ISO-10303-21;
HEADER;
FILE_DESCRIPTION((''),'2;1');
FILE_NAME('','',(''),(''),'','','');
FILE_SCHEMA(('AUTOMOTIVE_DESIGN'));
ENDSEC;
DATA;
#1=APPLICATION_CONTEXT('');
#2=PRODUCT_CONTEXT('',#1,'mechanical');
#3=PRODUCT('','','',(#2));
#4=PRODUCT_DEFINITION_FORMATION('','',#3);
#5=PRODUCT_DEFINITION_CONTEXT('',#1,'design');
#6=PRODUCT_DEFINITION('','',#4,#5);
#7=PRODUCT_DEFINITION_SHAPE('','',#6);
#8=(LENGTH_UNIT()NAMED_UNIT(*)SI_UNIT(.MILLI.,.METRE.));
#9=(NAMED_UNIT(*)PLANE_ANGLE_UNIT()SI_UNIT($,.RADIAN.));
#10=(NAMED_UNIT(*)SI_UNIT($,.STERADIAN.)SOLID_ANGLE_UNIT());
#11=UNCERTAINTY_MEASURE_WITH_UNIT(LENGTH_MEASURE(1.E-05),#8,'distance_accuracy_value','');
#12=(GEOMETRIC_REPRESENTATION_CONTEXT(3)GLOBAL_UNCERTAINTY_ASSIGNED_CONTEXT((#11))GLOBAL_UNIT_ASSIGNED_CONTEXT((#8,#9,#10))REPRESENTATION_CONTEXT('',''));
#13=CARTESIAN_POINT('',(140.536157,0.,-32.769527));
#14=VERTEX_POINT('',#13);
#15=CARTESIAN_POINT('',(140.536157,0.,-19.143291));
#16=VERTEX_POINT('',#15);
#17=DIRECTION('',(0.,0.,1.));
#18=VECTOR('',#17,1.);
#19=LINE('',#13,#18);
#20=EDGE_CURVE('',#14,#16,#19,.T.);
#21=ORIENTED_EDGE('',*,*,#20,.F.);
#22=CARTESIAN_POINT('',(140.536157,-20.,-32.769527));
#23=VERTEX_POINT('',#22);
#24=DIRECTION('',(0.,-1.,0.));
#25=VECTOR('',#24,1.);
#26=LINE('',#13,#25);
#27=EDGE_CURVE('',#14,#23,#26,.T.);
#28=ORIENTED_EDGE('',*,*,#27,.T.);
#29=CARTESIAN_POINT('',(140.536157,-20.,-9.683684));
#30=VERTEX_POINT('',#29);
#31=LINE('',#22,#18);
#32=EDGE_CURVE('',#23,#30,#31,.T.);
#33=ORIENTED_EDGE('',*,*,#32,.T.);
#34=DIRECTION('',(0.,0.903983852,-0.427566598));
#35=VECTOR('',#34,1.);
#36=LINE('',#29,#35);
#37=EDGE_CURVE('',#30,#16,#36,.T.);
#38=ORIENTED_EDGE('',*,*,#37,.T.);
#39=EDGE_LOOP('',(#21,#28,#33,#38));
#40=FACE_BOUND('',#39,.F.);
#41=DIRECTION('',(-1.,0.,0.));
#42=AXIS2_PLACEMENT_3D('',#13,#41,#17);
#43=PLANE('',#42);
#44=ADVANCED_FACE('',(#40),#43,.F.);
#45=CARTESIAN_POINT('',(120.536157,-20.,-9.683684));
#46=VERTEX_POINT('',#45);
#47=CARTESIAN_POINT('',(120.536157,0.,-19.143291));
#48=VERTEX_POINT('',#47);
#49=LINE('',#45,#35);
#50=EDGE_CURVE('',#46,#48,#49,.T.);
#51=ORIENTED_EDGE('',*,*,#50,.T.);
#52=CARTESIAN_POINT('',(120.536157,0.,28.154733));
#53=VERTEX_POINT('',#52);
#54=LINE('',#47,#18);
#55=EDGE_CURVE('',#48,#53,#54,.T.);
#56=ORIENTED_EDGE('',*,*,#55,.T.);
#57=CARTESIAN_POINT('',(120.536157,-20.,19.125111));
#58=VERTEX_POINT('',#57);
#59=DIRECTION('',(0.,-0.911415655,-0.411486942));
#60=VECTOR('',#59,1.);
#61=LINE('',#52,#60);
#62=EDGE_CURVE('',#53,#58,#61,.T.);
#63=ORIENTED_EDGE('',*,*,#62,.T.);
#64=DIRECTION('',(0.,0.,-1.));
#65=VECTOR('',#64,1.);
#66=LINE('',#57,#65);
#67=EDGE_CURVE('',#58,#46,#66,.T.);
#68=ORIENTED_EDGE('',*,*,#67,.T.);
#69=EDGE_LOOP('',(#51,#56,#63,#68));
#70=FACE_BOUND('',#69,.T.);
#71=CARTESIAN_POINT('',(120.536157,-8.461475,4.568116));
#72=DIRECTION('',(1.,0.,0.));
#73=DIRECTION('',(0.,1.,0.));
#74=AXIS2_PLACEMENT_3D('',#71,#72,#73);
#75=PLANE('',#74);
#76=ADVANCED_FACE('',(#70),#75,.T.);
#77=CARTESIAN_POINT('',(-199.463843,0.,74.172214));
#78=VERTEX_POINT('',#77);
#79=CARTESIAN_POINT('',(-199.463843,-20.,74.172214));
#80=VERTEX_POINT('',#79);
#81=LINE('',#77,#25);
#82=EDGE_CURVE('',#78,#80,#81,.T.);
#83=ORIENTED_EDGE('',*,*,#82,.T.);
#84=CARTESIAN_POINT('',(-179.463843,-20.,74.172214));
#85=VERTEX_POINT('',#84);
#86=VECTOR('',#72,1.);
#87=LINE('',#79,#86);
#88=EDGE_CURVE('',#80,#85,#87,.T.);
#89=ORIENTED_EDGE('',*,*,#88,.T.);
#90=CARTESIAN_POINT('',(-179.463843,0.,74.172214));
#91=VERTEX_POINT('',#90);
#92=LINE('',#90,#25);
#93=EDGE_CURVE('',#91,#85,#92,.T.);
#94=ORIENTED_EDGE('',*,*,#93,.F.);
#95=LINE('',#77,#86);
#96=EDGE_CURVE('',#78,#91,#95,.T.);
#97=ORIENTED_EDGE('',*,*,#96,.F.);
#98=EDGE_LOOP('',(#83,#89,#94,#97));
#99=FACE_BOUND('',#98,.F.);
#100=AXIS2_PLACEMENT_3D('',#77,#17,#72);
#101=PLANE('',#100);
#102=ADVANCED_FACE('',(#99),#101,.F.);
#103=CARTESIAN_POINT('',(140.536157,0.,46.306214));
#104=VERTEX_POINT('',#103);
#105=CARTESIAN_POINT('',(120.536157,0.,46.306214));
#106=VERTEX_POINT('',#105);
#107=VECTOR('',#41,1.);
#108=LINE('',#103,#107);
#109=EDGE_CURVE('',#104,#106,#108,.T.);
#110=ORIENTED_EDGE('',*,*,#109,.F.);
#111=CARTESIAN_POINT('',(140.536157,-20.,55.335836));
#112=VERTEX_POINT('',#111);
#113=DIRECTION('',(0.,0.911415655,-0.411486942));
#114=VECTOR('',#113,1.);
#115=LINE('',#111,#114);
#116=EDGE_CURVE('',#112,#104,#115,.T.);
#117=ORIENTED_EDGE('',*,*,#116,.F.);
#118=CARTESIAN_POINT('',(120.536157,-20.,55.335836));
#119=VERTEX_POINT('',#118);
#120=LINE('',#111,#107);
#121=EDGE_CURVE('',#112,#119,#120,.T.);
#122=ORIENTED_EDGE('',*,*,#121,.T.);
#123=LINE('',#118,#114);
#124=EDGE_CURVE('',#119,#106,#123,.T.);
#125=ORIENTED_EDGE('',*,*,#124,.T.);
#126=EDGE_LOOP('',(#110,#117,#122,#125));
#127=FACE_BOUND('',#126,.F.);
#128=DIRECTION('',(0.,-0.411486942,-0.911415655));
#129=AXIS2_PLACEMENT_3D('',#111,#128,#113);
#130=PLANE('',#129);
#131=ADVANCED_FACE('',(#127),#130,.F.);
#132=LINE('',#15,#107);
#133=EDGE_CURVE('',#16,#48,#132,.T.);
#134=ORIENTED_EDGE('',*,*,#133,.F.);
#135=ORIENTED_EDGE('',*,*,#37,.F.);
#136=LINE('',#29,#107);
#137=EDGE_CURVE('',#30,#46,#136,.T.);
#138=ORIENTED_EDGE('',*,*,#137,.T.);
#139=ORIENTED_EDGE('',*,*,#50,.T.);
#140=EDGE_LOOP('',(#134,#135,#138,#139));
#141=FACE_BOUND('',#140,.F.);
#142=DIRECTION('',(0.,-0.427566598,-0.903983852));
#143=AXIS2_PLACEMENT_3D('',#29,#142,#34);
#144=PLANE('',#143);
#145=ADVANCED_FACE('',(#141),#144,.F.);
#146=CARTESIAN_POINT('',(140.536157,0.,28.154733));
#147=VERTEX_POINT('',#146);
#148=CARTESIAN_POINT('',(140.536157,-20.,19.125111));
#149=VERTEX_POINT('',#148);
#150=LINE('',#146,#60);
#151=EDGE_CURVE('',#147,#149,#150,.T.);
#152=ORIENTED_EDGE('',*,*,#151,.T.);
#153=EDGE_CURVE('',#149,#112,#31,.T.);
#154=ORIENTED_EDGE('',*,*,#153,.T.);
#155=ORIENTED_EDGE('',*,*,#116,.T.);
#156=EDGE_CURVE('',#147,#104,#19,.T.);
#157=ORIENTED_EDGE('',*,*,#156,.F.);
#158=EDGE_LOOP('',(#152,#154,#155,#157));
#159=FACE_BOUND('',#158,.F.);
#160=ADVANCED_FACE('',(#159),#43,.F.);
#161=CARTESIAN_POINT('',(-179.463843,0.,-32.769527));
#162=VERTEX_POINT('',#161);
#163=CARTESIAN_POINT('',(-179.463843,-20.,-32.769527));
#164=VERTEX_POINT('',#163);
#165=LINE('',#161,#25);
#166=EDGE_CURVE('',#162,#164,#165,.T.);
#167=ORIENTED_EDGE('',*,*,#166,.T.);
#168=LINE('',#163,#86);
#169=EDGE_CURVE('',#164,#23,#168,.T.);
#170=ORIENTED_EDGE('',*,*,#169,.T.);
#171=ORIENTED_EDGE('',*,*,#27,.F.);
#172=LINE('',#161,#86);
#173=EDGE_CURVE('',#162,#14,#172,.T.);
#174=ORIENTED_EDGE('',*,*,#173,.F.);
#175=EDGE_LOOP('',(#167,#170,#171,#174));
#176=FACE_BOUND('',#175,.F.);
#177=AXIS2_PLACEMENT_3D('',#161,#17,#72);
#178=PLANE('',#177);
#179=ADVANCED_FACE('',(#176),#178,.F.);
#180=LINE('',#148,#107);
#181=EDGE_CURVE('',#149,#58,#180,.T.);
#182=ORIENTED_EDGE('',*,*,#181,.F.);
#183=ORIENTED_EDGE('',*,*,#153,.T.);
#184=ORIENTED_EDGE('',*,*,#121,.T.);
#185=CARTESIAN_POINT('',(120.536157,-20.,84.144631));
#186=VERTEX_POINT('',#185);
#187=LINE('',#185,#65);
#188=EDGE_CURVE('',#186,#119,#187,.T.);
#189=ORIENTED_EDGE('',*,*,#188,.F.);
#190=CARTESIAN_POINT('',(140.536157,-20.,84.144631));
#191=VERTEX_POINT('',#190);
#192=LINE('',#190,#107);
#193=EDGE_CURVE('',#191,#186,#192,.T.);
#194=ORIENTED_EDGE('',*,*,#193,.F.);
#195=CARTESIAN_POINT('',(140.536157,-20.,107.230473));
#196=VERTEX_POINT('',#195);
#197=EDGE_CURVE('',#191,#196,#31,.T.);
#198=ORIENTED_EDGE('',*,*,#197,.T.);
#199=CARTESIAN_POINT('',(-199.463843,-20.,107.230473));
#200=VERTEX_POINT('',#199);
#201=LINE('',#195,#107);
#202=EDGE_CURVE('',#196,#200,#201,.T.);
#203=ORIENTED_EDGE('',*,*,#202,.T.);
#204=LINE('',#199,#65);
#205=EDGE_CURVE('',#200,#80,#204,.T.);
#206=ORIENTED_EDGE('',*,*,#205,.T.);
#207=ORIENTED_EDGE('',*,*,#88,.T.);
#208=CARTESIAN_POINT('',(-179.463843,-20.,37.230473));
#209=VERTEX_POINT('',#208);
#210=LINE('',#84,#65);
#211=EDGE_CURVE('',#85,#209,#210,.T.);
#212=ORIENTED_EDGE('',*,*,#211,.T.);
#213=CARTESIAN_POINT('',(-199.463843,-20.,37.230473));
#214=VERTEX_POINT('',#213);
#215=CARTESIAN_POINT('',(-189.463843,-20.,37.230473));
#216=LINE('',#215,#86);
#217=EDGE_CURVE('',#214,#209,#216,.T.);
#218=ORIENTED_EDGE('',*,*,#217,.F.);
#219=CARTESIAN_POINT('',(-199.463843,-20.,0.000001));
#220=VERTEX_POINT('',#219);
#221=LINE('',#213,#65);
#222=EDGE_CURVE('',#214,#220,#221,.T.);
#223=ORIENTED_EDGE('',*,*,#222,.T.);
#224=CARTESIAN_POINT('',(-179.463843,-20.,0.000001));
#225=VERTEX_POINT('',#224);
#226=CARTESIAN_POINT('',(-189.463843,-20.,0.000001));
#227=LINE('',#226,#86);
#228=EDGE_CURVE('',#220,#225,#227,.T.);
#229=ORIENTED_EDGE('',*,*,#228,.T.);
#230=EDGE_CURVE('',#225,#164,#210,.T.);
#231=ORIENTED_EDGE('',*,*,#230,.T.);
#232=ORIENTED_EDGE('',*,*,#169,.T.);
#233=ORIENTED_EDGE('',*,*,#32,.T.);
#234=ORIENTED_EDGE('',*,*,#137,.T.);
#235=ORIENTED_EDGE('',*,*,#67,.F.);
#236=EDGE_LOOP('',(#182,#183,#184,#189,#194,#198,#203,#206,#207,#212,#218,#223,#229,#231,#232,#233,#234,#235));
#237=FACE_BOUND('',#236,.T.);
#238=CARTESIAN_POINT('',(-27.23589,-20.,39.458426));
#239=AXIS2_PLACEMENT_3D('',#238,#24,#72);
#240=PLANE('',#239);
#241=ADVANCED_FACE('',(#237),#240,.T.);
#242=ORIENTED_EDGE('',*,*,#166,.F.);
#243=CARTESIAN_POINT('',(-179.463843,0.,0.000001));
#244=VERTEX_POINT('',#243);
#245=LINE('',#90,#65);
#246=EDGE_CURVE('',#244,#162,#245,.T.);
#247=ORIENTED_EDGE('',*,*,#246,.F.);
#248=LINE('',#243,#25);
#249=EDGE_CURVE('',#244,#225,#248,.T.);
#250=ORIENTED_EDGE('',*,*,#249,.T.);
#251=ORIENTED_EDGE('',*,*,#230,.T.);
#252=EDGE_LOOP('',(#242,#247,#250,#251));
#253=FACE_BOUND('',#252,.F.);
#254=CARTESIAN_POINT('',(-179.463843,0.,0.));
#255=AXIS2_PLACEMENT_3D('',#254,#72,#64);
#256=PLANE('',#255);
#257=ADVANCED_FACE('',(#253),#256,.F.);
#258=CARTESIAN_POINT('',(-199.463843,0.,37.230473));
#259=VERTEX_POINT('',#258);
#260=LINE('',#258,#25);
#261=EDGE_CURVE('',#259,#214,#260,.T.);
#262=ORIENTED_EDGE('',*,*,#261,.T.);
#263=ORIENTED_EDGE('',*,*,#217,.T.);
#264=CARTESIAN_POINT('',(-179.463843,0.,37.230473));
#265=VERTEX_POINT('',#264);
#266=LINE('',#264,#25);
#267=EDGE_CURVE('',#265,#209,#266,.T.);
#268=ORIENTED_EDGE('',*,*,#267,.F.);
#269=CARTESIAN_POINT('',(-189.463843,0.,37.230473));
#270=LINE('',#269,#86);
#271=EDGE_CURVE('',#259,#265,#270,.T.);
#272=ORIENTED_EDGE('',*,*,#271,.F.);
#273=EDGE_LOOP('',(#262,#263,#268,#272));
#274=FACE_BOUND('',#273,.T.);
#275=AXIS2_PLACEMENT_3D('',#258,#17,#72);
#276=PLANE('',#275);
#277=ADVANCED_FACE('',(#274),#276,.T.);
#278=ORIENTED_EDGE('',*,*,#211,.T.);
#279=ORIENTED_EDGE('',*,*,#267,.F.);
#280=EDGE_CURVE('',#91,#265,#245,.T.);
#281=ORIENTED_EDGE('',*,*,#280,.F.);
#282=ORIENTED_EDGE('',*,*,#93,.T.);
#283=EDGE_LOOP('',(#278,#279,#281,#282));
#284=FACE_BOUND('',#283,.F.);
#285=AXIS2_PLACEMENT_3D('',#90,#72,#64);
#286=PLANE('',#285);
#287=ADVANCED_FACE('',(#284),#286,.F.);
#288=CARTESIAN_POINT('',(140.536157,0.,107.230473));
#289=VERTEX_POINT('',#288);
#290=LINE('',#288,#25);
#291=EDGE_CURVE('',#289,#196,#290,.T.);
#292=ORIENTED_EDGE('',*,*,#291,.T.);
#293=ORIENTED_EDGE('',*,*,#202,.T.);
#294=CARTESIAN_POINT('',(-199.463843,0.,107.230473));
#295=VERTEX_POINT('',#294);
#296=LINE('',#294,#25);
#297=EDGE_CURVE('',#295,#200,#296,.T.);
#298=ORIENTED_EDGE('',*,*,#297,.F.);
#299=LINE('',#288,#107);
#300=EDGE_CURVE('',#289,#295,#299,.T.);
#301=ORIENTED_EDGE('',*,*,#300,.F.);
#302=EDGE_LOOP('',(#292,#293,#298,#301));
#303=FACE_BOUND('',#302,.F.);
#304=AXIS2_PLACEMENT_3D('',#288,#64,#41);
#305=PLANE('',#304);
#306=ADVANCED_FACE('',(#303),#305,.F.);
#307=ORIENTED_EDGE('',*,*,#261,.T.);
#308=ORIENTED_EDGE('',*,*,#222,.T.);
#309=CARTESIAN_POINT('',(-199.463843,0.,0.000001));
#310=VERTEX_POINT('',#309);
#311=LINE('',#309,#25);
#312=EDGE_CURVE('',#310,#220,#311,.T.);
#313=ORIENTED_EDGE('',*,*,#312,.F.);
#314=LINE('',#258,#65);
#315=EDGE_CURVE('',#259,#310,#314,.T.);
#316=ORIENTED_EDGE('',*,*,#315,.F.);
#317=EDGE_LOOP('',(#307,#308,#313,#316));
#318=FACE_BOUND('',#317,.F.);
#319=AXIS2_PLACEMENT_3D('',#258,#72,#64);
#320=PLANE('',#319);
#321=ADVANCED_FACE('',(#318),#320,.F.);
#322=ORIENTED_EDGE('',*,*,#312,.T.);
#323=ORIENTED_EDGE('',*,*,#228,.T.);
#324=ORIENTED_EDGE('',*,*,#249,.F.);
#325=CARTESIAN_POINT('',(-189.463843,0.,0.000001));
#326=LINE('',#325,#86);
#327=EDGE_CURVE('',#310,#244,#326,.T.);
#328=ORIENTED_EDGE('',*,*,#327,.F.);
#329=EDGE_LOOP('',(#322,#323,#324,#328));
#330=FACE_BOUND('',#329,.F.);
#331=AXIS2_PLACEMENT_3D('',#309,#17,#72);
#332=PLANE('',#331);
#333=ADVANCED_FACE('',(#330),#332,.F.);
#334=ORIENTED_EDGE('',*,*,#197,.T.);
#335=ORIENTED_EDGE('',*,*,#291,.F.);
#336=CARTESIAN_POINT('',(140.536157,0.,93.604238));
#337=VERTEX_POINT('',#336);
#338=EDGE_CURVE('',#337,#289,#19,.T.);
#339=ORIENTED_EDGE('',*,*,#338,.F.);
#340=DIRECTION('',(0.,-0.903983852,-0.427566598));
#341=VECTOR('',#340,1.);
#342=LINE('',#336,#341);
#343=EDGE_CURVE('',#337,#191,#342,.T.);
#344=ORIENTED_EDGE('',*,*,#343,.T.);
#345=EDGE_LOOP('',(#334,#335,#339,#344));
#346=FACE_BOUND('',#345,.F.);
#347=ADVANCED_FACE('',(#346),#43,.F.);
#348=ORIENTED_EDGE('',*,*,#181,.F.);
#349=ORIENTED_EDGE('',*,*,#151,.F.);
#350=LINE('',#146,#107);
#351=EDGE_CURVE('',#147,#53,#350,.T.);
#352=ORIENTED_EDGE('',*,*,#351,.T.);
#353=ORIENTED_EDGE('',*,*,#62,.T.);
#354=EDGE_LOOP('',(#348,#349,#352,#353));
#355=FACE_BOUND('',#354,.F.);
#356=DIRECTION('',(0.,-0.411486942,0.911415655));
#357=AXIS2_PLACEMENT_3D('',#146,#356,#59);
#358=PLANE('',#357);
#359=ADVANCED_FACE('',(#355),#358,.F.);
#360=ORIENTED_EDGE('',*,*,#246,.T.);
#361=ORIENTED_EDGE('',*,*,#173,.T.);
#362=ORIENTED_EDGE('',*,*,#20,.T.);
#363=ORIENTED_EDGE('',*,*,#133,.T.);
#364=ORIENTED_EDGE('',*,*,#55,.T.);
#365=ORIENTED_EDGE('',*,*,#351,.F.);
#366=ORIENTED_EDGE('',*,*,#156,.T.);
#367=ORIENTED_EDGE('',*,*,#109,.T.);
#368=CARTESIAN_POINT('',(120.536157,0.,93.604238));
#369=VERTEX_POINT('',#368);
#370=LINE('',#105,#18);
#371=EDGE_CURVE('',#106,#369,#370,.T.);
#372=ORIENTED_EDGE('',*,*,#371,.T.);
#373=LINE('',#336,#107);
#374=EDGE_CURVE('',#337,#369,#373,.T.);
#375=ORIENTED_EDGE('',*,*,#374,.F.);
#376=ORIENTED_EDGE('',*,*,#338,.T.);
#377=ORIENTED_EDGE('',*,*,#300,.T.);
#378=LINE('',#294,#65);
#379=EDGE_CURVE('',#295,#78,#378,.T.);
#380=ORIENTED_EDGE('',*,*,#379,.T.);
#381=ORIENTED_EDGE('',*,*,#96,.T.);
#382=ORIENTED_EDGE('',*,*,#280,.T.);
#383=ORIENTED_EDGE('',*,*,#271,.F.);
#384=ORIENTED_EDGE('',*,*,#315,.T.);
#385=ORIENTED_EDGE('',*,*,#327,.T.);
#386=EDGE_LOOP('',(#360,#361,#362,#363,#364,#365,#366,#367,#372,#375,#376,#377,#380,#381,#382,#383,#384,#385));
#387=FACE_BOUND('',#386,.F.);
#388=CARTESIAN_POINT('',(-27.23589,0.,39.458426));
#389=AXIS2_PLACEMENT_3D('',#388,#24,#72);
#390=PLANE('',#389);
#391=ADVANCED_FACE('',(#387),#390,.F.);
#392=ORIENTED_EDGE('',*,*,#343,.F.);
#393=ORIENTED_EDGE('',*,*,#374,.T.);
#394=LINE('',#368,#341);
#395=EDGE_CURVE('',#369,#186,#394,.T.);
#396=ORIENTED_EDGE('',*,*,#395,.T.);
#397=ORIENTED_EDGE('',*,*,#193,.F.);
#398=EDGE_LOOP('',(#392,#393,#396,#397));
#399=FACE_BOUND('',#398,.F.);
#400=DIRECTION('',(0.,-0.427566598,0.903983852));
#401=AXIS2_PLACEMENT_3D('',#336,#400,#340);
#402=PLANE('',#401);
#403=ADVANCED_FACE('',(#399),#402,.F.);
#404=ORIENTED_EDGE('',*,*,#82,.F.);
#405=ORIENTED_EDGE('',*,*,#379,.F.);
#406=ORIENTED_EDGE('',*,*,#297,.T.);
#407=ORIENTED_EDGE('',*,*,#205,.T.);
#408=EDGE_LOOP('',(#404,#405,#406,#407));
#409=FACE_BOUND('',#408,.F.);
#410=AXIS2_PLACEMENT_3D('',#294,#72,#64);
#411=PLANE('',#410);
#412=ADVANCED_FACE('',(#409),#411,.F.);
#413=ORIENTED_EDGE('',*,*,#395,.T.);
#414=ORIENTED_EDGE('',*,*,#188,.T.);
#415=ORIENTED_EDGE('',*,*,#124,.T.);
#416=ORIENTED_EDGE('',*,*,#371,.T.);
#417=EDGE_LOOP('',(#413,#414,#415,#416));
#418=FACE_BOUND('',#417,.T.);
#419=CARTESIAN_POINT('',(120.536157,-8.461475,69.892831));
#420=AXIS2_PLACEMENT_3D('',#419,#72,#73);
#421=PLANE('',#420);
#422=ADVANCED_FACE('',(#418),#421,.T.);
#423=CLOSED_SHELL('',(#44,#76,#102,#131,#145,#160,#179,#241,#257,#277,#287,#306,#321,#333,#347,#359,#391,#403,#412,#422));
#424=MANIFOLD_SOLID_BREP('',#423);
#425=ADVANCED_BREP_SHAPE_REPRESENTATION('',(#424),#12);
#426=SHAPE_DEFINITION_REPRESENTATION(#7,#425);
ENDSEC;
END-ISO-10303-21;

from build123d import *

# Parameters (mm, degrees)
F0_W     = 20
F0_H     = 18.615236
F0_H_2   = 18.615237
F1_DEPTH = 20
F3_DEPTH = 20


with BuildPart() as f1:
    # F0 (on Front) → F1 (new body)
    with BuildSketch(Plane.XZ):
        Polygon((-179.463843, 107.230473), (-199.463843, 107.230473), (-199.463843, 74.172214), (-179.463843, 74.172214), (-179.463843, 37.230473), (-179.463843, 18.615237), (-179.463843, 0), (-179.463843, -32.769527), (140.536157, -32.769527), (140.536157, 107.230473), align=None)
        with Locations((-189.463843, 27.922855)):
            Rectangle(F0_W, F0_H)
        with Locations((-189.463843, 9.307619)):
            Rectangle(F0_W, F0_H_2)
    extrude(amount=F1_DEPTH)

    # F2 (on face) → F3 (cut)
    with BuildSketch(Plane.YZ.offset(140.536157)):
        Polygon((-20, 84.144631), (-20, 55.335836), (0, 46.306214), (0, 93.604238), align=None)
        Polygon((0, 28.154733), (-20, 19.125111), (-20, -9.683684), (0, -19.143291), align=None)
    extrude(amount=-F3_DEPTH, mode=Mode.SUBTRACT)


solid = f1.part
